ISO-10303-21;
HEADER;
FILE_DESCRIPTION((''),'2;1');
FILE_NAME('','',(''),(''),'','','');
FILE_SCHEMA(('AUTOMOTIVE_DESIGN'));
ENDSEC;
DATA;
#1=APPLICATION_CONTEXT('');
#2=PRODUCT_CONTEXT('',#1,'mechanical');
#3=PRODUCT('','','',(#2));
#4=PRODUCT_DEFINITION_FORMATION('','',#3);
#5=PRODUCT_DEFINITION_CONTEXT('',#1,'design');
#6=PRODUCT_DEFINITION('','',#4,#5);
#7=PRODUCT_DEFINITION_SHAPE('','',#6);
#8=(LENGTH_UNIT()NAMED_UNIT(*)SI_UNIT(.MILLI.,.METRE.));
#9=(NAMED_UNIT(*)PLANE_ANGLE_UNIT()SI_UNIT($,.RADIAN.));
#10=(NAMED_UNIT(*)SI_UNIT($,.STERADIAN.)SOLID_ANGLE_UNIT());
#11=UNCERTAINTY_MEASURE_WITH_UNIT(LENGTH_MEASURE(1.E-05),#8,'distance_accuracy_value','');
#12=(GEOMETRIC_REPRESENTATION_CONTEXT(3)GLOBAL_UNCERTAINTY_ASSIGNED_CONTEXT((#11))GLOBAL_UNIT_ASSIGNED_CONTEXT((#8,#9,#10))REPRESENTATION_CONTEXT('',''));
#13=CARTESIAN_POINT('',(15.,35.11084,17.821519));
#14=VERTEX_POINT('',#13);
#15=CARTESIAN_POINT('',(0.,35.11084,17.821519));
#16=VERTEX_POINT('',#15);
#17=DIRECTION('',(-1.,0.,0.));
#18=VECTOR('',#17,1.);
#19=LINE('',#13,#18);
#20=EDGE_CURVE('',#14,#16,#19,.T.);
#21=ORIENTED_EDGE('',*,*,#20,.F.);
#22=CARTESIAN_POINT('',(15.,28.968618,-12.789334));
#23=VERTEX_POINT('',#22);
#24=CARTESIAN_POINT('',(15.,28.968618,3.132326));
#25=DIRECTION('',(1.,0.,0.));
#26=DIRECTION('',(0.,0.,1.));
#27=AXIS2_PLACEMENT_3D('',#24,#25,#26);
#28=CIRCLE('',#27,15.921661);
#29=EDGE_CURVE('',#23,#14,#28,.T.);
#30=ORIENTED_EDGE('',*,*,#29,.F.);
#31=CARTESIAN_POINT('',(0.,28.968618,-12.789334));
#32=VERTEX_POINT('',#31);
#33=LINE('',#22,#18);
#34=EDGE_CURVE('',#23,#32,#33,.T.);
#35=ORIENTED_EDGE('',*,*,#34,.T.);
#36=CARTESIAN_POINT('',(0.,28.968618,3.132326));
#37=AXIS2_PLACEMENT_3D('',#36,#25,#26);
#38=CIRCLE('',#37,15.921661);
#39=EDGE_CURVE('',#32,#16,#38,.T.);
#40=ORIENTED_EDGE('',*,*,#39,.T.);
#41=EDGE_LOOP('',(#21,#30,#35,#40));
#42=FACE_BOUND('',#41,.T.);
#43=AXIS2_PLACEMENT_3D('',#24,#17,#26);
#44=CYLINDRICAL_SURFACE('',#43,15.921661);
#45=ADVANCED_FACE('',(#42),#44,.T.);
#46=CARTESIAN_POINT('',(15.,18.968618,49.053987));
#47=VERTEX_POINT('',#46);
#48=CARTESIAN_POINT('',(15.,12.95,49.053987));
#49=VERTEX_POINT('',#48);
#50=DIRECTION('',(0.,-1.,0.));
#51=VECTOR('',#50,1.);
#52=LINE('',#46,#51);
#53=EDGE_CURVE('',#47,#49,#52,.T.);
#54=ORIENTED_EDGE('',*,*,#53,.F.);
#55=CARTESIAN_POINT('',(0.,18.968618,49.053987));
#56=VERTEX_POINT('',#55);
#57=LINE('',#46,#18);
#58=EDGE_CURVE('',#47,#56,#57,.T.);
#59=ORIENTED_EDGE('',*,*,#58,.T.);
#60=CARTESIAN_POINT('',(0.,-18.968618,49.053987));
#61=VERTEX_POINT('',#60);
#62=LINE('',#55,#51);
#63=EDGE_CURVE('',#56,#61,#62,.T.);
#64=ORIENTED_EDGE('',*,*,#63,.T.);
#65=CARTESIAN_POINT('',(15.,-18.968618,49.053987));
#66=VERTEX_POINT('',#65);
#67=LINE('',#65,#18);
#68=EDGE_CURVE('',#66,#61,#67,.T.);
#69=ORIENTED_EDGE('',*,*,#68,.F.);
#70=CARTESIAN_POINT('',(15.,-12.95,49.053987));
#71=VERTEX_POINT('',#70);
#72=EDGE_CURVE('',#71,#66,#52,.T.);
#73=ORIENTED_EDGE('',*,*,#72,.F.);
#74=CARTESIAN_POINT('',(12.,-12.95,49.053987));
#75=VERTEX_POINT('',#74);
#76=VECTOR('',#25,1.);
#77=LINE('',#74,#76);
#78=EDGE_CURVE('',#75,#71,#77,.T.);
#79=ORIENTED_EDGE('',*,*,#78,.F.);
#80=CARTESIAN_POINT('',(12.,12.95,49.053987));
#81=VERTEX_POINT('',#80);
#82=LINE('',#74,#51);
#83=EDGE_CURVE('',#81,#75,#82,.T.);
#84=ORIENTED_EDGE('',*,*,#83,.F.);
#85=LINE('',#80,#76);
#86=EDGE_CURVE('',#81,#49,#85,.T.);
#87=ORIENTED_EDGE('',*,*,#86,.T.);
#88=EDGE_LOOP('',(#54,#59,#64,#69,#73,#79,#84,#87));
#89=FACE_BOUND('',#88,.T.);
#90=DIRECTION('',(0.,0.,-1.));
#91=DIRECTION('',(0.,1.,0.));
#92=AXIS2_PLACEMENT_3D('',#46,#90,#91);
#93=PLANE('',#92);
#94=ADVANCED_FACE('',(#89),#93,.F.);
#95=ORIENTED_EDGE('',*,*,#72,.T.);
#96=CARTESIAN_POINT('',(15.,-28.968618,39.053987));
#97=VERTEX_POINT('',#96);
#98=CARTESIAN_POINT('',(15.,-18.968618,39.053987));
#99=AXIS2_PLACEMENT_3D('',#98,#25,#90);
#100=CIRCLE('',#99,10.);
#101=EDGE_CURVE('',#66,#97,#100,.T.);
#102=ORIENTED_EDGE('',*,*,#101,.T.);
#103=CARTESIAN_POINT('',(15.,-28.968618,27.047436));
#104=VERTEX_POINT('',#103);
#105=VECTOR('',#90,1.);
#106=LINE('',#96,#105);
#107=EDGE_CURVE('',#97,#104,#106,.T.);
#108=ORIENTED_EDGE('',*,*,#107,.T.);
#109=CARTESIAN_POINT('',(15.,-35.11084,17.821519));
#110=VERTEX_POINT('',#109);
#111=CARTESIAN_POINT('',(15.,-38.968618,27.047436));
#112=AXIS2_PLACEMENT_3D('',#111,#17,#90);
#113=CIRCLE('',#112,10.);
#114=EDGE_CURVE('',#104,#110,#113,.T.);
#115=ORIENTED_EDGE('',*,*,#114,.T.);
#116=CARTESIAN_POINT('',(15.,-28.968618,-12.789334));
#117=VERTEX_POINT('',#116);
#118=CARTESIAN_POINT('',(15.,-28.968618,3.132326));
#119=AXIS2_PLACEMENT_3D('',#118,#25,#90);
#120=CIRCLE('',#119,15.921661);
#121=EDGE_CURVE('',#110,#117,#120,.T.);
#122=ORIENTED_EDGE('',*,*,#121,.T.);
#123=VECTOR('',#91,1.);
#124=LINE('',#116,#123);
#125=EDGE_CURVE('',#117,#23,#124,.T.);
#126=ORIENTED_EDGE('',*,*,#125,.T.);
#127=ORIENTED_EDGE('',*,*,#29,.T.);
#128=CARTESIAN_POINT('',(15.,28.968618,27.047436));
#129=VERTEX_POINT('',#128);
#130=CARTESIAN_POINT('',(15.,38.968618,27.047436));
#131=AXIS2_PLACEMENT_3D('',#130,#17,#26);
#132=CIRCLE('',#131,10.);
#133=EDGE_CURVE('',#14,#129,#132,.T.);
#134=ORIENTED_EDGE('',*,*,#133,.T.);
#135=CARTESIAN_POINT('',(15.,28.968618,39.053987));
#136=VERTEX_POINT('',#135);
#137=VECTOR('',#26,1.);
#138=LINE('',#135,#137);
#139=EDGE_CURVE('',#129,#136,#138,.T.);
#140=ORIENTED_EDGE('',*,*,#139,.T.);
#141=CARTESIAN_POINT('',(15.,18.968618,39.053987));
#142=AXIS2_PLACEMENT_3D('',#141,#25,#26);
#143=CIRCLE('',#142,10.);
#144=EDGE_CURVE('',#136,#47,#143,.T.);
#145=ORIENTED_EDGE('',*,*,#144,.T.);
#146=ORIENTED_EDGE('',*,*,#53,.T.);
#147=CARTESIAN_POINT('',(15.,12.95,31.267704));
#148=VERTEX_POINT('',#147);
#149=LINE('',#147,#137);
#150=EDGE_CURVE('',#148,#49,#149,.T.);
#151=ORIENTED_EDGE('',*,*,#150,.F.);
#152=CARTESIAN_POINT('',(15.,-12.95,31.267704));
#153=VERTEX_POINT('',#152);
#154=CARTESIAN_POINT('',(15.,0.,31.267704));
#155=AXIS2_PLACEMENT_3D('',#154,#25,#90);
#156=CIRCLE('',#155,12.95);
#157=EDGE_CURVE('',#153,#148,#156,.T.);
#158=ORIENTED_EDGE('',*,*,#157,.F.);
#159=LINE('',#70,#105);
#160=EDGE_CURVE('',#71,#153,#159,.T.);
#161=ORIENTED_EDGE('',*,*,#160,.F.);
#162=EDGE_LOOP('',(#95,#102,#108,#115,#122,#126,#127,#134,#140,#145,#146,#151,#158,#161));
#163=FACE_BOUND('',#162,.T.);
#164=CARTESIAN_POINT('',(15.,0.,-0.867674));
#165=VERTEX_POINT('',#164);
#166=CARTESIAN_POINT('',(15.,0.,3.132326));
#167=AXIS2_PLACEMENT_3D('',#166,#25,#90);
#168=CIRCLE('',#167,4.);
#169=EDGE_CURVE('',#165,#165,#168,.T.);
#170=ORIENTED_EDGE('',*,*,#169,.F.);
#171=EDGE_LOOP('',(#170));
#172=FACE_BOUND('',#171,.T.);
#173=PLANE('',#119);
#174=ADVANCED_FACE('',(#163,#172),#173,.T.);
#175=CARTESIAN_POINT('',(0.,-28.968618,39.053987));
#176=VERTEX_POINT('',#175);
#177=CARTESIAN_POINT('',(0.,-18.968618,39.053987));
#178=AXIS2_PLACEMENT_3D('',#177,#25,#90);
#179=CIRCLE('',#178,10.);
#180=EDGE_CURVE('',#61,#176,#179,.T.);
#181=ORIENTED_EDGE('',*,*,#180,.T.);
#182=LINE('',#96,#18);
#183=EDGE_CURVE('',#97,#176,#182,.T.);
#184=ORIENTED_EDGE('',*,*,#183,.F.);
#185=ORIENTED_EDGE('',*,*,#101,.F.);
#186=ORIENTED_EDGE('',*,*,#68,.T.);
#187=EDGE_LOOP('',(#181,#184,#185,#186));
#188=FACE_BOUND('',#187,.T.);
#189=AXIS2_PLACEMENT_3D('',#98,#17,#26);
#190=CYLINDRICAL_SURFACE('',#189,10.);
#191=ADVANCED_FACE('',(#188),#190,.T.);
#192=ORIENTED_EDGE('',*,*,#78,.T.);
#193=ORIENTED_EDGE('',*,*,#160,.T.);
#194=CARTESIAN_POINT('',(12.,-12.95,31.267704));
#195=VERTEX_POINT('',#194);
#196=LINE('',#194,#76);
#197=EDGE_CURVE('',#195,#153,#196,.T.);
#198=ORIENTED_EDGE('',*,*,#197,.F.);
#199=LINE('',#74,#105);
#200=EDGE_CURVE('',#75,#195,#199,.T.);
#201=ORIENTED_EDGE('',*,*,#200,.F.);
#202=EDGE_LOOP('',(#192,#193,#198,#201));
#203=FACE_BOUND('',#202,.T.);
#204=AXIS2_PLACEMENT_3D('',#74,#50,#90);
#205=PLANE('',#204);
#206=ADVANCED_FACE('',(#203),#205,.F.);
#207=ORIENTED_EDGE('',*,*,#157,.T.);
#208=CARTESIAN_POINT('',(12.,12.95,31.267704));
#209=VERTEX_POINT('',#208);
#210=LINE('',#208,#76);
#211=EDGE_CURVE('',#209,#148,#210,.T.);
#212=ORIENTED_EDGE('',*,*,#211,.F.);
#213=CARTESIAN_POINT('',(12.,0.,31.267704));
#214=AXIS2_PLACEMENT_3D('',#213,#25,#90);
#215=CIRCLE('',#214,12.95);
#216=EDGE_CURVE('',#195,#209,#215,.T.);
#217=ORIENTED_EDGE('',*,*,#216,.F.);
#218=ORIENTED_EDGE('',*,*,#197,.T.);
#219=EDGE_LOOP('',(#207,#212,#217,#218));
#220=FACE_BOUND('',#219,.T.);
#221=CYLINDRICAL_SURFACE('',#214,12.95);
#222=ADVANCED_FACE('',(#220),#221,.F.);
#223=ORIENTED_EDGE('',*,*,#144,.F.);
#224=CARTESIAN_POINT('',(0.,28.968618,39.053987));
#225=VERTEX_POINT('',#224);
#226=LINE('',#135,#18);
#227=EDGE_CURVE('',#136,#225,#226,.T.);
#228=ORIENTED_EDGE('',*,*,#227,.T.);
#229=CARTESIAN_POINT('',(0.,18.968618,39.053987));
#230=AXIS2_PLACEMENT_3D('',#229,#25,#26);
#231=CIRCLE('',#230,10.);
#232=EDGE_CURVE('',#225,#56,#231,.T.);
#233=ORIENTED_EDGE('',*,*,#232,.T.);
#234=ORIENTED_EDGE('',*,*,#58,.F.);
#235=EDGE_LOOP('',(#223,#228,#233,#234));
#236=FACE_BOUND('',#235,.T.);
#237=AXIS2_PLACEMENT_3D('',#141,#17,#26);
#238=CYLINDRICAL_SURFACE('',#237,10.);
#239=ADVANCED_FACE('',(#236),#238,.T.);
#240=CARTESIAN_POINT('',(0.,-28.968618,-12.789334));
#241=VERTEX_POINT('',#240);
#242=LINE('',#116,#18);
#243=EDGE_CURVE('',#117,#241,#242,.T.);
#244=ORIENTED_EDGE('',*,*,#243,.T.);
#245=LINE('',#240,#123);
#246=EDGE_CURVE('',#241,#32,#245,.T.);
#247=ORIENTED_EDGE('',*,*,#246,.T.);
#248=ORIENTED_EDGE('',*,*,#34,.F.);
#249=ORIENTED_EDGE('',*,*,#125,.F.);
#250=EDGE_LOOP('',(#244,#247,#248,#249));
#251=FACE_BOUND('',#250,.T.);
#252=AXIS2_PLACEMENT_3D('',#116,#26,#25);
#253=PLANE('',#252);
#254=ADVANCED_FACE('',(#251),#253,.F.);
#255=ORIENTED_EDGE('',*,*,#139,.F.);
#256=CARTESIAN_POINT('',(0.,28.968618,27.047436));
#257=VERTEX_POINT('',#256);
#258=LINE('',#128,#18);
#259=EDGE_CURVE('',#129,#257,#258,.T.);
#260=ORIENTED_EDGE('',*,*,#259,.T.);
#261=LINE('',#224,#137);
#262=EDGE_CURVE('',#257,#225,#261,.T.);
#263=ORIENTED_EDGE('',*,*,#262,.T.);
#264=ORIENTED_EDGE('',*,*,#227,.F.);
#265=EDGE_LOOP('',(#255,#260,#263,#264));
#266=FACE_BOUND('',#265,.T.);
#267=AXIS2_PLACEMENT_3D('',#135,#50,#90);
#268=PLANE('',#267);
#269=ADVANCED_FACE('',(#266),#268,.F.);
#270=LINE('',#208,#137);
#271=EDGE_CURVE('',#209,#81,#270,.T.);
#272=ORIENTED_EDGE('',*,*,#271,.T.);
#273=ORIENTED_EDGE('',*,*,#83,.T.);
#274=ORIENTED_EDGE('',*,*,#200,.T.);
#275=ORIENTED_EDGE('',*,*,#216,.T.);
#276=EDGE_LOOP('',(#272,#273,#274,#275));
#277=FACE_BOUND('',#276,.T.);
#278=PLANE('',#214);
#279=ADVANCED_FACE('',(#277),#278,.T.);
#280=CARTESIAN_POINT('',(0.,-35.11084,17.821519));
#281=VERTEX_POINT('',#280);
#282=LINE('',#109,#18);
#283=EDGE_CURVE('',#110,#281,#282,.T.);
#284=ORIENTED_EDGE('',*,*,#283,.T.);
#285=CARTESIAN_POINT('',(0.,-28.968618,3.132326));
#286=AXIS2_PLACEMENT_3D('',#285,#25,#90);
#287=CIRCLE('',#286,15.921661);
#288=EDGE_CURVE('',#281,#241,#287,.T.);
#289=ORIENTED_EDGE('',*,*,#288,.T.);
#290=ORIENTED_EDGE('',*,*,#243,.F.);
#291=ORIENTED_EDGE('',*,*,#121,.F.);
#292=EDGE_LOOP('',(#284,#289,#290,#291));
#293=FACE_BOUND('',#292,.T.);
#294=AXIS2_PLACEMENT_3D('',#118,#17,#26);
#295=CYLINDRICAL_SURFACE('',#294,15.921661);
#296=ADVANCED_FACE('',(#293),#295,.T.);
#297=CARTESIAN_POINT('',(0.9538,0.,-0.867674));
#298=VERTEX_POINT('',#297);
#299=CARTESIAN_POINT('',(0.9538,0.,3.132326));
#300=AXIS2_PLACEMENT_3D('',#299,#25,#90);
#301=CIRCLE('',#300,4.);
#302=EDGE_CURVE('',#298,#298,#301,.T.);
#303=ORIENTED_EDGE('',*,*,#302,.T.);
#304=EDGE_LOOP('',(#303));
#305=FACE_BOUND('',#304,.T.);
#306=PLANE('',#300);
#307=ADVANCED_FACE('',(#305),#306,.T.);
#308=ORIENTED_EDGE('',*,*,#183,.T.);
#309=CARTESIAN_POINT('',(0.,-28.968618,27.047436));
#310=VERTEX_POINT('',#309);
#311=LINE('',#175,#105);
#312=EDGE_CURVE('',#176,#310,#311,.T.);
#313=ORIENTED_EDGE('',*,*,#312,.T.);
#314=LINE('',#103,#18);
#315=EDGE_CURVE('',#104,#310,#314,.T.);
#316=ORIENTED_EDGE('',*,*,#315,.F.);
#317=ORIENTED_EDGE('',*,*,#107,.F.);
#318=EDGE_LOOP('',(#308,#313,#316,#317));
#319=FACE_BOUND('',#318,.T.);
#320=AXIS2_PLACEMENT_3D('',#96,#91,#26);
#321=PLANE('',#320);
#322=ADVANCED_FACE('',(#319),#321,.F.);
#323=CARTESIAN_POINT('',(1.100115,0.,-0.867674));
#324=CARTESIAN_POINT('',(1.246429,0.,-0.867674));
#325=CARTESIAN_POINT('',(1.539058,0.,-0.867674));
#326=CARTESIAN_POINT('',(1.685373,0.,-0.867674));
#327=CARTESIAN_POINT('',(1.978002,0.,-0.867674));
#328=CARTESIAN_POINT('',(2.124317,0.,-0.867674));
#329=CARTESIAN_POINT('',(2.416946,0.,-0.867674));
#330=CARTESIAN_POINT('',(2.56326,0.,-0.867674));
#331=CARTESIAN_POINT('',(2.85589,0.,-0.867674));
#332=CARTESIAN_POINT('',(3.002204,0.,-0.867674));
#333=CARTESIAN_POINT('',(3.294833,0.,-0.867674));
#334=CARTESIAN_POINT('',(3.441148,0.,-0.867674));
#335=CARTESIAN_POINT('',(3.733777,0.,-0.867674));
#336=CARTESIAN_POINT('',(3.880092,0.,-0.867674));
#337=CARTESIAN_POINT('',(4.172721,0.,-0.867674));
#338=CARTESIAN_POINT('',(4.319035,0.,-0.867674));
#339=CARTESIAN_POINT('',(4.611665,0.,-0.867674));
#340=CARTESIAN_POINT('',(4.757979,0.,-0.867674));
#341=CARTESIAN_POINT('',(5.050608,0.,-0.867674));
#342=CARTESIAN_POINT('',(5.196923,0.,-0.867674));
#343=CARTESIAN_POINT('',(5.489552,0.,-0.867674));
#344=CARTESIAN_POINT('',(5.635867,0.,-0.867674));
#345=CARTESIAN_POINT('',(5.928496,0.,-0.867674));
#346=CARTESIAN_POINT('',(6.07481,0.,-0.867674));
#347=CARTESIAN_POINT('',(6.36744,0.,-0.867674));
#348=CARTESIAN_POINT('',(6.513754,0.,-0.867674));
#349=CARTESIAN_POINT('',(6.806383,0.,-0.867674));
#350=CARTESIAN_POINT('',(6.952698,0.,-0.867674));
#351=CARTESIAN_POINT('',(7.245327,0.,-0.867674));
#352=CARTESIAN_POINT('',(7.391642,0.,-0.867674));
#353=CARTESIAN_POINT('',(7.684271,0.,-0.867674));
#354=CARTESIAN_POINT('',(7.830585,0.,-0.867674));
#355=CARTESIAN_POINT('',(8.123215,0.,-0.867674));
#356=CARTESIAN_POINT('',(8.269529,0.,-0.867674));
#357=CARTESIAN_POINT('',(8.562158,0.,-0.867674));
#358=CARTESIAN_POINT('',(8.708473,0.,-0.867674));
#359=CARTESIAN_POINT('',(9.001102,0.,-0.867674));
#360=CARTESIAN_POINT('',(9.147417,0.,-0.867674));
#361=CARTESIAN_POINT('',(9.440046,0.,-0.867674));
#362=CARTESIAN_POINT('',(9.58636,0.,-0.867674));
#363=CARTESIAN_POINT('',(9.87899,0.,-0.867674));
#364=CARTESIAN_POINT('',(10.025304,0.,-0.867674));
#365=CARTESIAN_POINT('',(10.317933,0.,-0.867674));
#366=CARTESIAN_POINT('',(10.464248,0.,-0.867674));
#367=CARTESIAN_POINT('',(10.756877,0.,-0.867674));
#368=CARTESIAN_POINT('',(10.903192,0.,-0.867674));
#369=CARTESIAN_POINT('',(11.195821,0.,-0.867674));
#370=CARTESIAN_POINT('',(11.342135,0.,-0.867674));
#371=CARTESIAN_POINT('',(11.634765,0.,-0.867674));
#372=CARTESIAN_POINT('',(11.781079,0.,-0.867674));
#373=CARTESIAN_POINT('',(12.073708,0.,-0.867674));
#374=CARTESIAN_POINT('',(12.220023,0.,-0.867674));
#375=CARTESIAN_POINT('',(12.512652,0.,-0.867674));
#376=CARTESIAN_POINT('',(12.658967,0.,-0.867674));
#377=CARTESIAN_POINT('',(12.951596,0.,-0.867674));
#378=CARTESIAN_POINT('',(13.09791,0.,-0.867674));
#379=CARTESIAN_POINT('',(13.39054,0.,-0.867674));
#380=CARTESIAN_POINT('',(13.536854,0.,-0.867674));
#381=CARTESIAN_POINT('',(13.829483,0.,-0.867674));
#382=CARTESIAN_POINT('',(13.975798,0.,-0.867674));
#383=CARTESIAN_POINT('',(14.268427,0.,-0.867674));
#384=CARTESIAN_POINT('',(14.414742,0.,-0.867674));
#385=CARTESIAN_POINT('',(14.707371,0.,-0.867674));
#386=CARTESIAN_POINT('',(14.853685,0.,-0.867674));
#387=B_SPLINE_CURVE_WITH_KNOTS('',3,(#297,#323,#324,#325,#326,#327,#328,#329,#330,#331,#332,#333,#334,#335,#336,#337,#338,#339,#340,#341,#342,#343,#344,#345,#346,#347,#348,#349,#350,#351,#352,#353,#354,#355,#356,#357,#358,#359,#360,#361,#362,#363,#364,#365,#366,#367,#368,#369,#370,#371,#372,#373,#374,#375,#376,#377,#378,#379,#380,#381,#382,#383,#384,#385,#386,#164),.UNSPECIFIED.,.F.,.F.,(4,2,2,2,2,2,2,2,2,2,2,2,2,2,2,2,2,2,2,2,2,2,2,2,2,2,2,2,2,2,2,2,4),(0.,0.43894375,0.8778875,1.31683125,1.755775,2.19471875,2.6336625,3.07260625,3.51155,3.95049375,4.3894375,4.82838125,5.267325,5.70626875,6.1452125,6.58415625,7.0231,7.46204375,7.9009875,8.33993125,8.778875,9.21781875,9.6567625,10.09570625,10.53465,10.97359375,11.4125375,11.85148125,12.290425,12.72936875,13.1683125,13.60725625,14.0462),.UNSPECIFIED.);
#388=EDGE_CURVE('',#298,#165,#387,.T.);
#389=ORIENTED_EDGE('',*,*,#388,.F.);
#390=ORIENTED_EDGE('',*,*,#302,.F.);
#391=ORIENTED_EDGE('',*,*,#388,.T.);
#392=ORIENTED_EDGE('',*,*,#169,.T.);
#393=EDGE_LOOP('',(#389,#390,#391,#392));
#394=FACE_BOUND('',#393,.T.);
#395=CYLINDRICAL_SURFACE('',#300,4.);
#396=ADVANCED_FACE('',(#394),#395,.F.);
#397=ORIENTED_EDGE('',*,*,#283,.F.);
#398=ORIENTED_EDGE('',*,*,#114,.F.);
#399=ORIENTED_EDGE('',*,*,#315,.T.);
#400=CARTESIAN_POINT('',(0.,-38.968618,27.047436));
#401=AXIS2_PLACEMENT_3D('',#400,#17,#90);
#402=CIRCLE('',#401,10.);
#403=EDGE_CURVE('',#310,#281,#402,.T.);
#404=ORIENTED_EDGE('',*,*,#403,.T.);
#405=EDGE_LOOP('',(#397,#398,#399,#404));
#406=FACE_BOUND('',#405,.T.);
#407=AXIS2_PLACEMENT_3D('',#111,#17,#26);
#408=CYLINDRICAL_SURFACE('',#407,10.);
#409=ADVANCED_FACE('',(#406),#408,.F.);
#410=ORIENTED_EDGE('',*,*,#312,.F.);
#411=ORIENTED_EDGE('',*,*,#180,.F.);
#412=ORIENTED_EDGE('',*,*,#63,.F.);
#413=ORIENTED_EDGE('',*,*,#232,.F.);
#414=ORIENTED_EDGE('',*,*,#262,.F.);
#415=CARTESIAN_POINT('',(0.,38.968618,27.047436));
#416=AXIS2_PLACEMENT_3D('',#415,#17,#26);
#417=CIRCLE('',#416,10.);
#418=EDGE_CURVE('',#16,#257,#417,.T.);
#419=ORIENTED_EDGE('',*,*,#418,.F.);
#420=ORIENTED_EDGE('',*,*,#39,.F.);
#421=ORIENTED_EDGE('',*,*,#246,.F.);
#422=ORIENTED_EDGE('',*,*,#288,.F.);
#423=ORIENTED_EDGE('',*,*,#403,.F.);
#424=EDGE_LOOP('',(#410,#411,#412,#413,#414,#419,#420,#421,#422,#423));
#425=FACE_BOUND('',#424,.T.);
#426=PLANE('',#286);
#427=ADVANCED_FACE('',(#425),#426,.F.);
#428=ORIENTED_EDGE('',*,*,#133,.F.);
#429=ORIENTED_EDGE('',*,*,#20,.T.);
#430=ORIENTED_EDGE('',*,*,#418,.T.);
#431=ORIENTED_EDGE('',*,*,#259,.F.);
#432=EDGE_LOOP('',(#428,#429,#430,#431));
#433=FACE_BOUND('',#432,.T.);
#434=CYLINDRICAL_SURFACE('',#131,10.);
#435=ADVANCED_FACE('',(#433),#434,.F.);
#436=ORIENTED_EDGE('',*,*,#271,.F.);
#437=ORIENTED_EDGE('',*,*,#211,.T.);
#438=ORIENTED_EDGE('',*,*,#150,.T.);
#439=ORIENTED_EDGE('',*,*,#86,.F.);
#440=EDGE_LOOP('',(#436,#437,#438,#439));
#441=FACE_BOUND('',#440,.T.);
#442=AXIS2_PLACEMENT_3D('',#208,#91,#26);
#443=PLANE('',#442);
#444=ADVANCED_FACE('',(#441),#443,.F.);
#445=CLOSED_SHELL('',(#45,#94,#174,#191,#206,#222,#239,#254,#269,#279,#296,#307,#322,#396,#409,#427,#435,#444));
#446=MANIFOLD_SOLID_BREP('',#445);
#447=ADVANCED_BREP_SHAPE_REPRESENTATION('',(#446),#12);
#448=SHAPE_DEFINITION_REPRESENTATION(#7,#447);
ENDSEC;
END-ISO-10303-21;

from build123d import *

# Parameters (mm, degrees)
BOSS_EXTRUDE3_DEPTH = 15
SKETCH3_R           = 4
CUT_EXTRUDE3_DEPTH  = 14.0462
CUT_EXTRUDE4_DEPTH  = 3


with BuildPart() as part:
    # Sketch1 → Boss-Extrude3 (new body)
    with BuildSketch(Plane.YZ):
        with BuildLine():
            Line((-28.968617751, -12.789334175), (28.968617751, -12.789334175))
            ThreePointArc((28.968617751, -12.789334175), (44.579120821, 0), (35.110840206, 17.821518929))
            ThreePointArc((35.110840206, 17.821518929), (30.644623053, 21.505675602), (28.968617751, 27.047436358))
            Line((28.968617751, 27.047436358), (28.968617751, 39.053986921))
            ThreePointArc((28.968617751, 39.053986921), (26.039685563, 46.125054733), (18.968617751, 49.053986921))
            Line((18.968617751, 49.053986921), (-18.968617751, 49.053986921))
            ThreePointArc((-18.968617751, 49.053986921), (-26.039685563, 46.125054733), (-28.968617751, 39.053986921))
            Line((-28.968617751, 39.053986921), (-28.968617751, 27.047436358))
            ThreePointArc((-28.968617751, 27.047436358), (-30.644623053, 21.505675602), (-35.110840206, 17.821518929))
            ThreePointArc((-35.110840206, 17.821518929), (-44.579120821, 0), (-28.968617751, -12.789334175))
        make_face()
    extrude(amount=BOSS_EXTRUDE3_DEPTH)

    # Sketch3 → Cut-Extrude3 (cut)
    with BuildSketch(Plane.YZ.offset(15)):
        with Locations(Location((0, 3.132326373, 0), (0, 0, 270))):
            Circle(SKETCH3_R)
    extrude(amount=-CUT_EXTRUDE3_DEPTH, mode=Mode.SUBTRACT)

    # Sketch4 → Cut-Extrude4 (cut)
    with BuildSketch(Plane.YZ.offset(15)):
        with BuildLine():
            Line((-12.95, 49.053986921), (-12.95, 31.267703884))
            ThreePointArc((-12.95, 31.267703884), (0, 18.317703884), (12.95, 31.267703884))
            Line((12.95, 31.267703884), (12.95, 49.053986921))
            Line((12.95, 49.053986921), (-12.95, 49.053986921))
        make_face()
    extrude(amount=-CUT_EXTRUDE4_DEPTH, mode=Mode.SUBTRACT)


solid = part.part
